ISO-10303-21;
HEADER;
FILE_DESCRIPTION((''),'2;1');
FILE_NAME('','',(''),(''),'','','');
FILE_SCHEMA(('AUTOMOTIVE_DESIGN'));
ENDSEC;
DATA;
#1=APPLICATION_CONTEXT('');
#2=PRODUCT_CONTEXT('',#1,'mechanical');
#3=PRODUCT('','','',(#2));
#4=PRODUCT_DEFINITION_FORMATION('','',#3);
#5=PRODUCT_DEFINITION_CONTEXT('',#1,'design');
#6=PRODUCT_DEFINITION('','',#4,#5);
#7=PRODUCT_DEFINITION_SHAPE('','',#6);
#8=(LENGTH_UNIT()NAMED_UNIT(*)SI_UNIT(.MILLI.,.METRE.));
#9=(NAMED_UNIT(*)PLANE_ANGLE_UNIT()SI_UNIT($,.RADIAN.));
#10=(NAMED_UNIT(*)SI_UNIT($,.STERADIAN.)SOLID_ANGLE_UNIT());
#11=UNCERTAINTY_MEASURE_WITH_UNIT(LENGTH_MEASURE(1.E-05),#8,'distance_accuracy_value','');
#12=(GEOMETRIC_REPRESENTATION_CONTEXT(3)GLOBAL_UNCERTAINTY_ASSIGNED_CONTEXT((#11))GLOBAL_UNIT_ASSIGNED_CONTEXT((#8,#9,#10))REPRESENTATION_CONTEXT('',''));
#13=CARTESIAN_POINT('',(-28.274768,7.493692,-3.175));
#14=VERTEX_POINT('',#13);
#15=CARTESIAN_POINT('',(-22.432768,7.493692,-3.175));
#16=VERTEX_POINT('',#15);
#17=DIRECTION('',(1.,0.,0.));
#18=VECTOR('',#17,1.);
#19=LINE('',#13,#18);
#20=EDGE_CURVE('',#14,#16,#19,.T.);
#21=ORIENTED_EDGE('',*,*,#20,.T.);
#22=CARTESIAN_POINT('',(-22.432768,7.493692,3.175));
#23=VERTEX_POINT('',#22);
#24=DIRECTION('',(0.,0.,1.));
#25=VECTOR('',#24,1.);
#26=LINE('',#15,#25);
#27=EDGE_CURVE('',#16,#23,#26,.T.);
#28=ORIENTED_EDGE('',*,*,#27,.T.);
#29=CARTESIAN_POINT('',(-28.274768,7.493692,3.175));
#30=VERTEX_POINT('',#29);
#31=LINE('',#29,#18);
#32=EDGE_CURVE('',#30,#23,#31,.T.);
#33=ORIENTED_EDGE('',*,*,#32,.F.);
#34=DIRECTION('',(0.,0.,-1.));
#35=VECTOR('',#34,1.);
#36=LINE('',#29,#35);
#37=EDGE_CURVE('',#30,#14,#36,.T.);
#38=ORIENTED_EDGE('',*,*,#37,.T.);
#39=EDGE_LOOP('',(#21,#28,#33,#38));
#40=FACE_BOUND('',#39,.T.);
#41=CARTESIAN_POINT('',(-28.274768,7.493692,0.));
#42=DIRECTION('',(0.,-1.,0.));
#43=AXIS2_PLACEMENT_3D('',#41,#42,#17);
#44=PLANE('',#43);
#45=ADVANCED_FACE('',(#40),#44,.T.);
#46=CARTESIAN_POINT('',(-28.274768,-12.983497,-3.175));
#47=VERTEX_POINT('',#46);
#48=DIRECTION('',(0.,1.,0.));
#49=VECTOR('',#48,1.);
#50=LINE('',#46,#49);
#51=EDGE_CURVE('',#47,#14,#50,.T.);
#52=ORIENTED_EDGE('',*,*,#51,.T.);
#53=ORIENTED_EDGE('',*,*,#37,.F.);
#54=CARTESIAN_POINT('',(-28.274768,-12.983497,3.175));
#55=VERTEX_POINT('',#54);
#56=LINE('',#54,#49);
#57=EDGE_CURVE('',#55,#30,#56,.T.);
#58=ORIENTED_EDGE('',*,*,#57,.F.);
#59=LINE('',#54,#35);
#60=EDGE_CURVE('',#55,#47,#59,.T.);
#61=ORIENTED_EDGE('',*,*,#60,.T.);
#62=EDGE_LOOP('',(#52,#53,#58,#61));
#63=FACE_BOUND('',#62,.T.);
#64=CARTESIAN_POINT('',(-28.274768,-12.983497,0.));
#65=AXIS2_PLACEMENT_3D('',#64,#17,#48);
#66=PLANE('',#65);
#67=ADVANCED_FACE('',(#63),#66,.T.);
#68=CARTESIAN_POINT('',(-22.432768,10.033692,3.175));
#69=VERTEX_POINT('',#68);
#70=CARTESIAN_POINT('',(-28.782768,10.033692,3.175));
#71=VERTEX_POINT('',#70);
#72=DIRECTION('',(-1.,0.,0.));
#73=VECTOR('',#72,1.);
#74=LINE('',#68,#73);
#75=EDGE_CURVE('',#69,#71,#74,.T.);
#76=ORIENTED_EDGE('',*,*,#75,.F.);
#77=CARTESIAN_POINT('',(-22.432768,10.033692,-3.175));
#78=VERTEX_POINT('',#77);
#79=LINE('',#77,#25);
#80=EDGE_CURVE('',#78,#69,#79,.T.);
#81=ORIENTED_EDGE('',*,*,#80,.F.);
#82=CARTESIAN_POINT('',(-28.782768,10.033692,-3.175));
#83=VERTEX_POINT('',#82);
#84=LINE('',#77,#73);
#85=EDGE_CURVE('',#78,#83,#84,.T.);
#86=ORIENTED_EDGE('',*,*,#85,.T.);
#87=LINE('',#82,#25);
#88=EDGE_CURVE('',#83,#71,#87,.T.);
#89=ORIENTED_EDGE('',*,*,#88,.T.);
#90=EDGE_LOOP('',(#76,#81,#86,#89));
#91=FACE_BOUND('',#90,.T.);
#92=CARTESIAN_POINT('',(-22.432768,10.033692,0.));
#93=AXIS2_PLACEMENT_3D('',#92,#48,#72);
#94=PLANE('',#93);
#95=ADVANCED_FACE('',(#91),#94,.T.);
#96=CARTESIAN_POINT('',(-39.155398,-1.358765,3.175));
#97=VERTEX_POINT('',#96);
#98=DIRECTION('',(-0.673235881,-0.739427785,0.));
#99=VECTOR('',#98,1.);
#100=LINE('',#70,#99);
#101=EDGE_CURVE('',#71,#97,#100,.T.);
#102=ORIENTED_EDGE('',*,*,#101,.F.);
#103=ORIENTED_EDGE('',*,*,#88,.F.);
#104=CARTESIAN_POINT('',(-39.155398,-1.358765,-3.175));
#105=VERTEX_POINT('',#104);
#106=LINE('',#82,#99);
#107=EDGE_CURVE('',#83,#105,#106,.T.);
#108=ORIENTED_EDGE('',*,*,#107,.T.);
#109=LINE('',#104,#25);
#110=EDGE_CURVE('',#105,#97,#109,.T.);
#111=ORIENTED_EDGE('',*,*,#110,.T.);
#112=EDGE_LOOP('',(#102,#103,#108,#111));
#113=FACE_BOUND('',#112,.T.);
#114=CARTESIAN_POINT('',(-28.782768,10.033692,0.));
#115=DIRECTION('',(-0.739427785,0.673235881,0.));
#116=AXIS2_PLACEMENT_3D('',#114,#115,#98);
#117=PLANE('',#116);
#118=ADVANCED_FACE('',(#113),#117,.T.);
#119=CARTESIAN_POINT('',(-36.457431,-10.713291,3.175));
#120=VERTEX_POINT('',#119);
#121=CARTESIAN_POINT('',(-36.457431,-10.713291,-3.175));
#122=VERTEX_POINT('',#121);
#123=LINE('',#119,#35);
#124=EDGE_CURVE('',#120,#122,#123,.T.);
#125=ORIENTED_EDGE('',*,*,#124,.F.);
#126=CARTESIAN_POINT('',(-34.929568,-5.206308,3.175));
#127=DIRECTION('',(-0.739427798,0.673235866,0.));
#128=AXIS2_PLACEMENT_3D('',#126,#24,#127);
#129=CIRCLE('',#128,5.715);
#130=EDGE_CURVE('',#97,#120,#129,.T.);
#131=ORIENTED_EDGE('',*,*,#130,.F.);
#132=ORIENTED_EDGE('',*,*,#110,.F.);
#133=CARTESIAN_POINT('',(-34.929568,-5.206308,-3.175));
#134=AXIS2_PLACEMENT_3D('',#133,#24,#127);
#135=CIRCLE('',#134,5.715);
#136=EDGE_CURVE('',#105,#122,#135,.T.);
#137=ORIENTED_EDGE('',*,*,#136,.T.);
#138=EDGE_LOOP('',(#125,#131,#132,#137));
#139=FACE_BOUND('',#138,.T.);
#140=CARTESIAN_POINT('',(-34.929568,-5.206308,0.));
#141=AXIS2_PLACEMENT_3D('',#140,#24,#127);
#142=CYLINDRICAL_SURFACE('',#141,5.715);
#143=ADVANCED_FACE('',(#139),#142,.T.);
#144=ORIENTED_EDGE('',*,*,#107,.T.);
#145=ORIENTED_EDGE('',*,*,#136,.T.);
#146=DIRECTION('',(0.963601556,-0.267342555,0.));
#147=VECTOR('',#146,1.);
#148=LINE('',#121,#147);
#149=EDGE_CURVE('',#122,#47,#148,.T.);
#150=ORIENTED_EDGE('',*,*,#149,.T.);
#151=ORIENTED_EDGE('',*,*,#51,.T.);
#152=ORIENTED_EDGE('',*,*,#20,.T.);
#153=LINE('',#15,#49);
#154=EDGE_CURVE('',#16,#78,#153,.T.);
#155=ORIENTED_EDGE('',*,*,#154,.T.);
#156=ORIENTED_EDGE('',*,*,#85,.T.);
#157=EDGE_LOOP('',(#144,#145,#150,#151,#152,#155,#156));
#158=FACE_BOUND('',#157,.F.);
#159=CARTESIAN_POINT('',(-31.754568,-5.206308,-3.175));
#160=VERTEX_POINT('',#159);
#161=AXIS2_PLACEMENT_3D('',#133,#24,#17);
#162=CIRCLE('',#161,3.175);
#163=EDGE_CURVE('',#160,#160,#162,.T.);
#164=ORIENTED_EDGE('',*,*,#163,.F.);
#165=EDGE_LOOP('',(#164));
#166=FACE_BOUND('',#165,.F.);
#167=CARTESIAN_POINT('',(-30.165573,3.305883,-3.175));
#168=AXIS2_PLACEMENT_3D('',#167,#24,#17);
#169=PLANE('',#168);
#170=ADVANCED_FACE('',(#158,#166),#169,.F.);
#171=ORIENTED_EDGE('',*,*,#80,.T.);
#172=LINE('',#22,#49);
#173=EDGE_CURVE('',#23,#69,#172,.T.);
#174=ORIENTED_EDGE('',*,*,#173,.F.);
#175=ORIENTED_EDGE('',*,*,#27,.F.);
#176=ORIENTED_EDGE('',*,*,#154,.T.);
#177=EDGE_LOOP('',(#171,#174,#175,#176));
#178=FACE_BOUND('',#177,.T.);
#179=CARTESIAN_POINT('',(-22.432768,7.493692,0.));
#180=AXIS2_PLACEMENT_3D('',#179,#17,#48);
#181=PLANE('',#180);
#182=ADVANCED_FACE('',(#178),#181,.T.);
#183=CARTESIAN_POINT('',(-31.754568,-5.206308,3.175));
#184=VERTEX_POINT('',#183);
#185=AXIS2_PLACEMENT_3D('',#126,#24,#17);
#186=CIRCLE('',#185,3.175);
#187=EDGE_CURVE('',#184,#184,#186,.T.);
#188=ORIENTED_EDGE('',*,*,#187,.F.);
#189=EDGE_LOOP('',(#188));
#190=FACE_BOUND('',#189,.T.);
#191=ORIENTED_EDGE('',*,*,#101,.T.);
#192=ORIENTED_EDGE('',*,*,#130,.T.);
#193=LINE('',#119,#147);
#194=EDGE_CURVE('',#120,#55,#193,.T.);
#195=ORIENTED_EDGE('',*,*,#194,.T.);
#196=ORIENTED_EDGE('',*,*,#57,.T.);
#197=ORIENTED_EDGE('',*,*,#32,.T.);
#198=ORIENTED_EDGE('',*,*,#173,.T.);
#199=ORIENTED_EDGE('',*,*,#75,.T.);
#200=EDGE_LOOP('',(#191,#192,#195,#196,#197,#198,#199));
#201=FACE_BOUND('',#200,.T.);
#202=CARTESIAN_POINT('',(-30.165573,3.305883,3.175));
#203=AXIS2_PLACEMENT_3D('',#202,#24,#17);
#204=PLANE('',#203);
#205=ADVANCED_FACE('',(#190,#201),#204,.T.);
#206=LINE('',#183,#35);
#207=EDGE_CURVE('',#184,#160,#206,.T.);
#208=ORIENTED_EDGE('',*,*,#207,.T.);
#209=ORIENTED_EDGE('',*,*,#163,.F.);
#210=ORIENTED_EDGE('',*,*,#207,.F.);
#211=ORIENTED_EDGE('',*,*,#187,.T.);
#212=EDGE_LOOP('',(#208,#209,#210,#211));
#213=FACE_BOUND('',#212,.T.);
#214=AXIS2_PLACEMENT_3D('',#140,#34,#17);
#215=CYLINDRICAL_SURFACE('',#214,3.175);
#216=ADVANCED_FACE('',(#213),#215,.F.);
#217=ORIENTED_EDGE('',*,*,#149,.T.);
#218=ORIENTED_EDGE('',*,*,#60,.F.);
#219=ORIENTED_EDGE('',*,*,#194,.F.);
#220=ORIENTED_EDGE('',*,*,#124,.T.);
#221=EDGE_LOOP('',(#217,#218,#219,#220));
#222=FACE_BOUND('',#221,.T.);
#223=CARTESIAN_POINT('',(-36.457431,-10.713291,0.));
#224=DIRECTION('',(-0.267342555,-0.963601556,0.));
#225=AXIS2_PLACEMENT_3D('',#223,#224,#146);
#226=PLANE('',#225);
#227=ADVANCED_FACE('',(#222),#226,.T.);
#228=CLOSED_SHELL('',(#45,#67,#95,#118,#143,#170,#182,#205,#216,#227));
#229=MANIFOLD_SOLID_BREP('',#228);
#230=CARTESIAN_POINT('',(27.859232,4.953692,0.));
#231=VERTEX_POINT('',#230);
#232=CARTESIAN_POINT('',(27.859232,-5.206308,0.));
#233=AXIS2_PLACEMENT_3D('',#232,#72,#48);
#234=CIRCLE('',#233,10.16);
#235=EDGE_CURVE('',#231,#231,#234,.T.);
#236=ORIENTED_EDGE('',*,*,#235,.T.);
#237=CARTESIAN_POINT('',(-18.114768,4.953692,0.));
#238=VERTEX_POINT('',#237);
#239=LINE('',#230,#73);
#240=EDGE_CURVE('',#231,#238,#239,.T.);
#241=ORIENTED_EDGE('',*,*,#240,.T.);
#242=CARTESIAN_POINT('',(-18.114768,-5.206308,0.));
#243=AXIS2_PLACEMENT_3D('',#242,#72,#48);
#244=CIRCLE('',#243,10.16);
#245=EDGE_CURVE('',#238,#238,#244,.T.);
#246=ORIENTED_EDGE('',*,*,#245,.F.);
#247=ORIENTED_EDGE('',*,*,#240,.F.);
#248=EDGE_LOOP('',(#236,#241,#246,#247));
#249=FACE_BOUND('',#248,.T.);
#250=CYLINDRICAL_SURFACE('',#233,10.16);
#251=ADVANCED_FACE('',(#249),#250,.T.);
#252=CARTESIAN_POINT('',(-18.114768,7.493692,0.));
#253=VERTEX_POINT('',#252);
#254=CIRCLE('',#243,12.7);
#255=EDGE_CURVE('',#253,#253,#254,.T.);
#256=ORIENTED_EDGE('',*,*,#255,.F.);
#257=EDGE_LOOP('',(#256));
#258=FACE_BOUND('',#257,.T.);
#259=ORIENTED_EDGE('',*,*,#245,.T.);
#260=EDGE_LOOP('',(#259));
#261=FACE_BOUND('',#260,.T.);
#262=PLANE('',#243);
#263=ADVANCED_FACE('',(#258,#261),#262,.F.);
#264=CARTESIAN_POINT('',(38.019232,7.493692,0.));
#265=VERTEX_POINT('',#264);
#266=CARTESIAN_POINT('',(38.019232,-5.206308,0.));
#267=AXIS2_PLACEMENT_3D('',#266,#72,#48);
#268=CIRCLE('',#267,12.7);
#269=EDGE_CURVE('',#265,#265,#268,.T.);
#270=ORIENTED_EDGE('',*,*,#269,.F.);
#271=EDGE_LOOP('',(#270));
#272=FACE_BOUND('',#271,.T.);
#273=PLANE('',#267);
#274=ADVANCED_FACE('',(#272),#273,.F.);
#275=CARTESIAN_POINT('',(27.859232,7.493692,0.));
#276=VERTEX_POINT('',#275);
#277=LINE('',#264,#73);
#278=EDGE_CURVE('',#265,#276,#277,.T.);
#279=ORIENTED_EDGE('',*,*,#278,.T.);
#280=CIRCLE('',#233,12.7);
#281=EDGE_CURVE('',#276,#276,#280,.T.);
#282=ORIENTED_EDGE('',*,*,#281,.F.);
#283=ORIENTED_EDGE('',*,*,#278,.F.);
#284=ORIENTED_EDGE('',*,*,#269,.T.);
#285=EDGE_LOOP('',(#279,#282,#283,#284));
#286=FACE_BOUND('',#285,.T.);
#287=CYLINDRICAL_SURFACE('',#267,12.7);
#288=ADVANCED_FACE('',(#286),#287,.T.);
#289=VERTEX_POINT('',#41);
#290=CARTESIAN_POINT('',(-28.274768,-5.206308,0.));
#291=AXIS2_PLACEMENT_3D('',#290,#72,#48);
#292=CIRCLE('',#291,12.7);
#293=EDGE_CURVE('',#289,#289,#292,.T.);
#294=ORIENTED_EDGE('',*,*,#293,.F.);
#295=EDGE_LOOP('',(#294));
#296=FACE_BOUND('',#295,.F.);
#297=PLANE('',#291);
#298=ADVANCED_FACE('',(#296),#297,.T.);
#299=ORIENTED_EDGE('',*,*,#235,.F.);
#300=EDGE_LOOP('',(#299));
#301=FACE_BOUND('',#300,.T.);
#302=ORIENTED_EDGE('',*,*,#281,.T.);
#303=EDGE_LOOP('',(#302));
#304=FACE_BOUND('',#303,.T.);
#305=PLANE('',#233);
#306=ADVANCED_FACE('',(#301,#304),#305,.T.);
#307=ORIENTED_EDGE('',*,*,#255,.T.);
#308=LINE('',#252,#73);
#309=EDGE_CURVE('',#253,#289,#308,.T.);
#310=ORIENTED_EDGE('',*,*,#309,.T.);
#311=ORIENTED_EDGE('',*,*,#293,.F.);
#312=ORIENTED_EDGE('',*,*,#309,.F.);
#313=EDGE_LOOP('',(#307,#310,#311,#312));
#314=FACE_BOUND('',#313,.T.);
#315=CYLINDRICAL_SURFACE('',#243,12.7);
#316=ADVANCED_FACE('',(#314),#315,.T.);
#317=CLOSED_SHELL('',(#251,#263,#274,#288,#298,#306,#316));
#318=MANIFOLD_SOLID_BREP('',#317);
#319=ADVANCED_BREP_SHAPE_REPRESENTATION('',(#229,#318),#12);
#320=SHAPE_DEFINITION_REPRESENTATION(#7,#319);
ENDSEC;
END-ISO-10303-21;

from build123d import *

# Parameters (mm, degrees)
F0_W     = 5.842
F0_H     = 12.7
F0_R     = 3.175
F2_DEPTH = 3.175


with BuildPart() as f1:
    # F0 (on Top) → F1 (revolve)
    with BuildSketch(Plane.XY):
        Polygon((-22.432768, 7.493692), (-22.432768, -5.206308), (38.019232, -5.206308), (38.019232, 7.493692), (27.859232, 7.493692), (27.859232, 4.953692), (-18.114768, 4.953692), (-18.114768, 7.493692), align=None)
        with Locations((-25.353768, 1.143692)):
            Rectangle(F0_W, F0_H)
    revolve(axis=Axis((4.872232, -5.206308, 0), (-1, 0, 0)))


with BuildPart() as f2:
    # F0 (on Top) → F2 (new body, symmetric)
    with BuildSketch(Plane.XY):
        with BuildLine():
            Line((-29.214568, -5.206308), (-28.274768, -5.206308))
            Line((-28.274768, -5.206308), (-28.274768, 7.493692))
            Line((-28.274768, 7.493692), (-22.432768, 7.493692))
            Line((-22.432768, 7.493692), (-22.432768, 10.033692))
            Line((-22.432768, 10.033692), (-28.782768, 10.033692))
            Line((-28.782768, 10.033692), (-39.155398, -1.358765))
            ThreePointArc((-39.155398, -1.358765), (-32.866729, 0.123412), (-29.214568, -5.206308))
        make_face()
        with BuildLine():
            ThreePointArc((-36.457431, -10.713291), (-31.470559, -9.755647), (-29.214568, -5.206308))
            ThreePointArc((-29.214568, -5.206308), (-32.866729, 0.123412), (-39.155398, -1.358765))
            ThreePointArc((-39.155398, -1.358765), (-40.420746, -6.790035), (-36.457431, -10.713291))
        make_face()
        with Locations((-34.929568, -5.206308)):
            Circle(F0_R, mode=Mode.SUBTRACT)
        with BuildLine():
            Line((-28.274768, -12.983497), (-28.274768, -5.206308))
            Line((-28.274768, -5.206308), (-29.214568, -5.206308))
            ThreePointArc((-29.214568, -5.206308), (-31.470559, -9.755647), (-36.457431, -10.713291))
            Line((-36.457431, -10.713291), (-28.274768, -12.983497))
        make_face()
    extrude(amount=F2_DEPTH, both=True)


solid = Compound([f1.part, f2.part])
